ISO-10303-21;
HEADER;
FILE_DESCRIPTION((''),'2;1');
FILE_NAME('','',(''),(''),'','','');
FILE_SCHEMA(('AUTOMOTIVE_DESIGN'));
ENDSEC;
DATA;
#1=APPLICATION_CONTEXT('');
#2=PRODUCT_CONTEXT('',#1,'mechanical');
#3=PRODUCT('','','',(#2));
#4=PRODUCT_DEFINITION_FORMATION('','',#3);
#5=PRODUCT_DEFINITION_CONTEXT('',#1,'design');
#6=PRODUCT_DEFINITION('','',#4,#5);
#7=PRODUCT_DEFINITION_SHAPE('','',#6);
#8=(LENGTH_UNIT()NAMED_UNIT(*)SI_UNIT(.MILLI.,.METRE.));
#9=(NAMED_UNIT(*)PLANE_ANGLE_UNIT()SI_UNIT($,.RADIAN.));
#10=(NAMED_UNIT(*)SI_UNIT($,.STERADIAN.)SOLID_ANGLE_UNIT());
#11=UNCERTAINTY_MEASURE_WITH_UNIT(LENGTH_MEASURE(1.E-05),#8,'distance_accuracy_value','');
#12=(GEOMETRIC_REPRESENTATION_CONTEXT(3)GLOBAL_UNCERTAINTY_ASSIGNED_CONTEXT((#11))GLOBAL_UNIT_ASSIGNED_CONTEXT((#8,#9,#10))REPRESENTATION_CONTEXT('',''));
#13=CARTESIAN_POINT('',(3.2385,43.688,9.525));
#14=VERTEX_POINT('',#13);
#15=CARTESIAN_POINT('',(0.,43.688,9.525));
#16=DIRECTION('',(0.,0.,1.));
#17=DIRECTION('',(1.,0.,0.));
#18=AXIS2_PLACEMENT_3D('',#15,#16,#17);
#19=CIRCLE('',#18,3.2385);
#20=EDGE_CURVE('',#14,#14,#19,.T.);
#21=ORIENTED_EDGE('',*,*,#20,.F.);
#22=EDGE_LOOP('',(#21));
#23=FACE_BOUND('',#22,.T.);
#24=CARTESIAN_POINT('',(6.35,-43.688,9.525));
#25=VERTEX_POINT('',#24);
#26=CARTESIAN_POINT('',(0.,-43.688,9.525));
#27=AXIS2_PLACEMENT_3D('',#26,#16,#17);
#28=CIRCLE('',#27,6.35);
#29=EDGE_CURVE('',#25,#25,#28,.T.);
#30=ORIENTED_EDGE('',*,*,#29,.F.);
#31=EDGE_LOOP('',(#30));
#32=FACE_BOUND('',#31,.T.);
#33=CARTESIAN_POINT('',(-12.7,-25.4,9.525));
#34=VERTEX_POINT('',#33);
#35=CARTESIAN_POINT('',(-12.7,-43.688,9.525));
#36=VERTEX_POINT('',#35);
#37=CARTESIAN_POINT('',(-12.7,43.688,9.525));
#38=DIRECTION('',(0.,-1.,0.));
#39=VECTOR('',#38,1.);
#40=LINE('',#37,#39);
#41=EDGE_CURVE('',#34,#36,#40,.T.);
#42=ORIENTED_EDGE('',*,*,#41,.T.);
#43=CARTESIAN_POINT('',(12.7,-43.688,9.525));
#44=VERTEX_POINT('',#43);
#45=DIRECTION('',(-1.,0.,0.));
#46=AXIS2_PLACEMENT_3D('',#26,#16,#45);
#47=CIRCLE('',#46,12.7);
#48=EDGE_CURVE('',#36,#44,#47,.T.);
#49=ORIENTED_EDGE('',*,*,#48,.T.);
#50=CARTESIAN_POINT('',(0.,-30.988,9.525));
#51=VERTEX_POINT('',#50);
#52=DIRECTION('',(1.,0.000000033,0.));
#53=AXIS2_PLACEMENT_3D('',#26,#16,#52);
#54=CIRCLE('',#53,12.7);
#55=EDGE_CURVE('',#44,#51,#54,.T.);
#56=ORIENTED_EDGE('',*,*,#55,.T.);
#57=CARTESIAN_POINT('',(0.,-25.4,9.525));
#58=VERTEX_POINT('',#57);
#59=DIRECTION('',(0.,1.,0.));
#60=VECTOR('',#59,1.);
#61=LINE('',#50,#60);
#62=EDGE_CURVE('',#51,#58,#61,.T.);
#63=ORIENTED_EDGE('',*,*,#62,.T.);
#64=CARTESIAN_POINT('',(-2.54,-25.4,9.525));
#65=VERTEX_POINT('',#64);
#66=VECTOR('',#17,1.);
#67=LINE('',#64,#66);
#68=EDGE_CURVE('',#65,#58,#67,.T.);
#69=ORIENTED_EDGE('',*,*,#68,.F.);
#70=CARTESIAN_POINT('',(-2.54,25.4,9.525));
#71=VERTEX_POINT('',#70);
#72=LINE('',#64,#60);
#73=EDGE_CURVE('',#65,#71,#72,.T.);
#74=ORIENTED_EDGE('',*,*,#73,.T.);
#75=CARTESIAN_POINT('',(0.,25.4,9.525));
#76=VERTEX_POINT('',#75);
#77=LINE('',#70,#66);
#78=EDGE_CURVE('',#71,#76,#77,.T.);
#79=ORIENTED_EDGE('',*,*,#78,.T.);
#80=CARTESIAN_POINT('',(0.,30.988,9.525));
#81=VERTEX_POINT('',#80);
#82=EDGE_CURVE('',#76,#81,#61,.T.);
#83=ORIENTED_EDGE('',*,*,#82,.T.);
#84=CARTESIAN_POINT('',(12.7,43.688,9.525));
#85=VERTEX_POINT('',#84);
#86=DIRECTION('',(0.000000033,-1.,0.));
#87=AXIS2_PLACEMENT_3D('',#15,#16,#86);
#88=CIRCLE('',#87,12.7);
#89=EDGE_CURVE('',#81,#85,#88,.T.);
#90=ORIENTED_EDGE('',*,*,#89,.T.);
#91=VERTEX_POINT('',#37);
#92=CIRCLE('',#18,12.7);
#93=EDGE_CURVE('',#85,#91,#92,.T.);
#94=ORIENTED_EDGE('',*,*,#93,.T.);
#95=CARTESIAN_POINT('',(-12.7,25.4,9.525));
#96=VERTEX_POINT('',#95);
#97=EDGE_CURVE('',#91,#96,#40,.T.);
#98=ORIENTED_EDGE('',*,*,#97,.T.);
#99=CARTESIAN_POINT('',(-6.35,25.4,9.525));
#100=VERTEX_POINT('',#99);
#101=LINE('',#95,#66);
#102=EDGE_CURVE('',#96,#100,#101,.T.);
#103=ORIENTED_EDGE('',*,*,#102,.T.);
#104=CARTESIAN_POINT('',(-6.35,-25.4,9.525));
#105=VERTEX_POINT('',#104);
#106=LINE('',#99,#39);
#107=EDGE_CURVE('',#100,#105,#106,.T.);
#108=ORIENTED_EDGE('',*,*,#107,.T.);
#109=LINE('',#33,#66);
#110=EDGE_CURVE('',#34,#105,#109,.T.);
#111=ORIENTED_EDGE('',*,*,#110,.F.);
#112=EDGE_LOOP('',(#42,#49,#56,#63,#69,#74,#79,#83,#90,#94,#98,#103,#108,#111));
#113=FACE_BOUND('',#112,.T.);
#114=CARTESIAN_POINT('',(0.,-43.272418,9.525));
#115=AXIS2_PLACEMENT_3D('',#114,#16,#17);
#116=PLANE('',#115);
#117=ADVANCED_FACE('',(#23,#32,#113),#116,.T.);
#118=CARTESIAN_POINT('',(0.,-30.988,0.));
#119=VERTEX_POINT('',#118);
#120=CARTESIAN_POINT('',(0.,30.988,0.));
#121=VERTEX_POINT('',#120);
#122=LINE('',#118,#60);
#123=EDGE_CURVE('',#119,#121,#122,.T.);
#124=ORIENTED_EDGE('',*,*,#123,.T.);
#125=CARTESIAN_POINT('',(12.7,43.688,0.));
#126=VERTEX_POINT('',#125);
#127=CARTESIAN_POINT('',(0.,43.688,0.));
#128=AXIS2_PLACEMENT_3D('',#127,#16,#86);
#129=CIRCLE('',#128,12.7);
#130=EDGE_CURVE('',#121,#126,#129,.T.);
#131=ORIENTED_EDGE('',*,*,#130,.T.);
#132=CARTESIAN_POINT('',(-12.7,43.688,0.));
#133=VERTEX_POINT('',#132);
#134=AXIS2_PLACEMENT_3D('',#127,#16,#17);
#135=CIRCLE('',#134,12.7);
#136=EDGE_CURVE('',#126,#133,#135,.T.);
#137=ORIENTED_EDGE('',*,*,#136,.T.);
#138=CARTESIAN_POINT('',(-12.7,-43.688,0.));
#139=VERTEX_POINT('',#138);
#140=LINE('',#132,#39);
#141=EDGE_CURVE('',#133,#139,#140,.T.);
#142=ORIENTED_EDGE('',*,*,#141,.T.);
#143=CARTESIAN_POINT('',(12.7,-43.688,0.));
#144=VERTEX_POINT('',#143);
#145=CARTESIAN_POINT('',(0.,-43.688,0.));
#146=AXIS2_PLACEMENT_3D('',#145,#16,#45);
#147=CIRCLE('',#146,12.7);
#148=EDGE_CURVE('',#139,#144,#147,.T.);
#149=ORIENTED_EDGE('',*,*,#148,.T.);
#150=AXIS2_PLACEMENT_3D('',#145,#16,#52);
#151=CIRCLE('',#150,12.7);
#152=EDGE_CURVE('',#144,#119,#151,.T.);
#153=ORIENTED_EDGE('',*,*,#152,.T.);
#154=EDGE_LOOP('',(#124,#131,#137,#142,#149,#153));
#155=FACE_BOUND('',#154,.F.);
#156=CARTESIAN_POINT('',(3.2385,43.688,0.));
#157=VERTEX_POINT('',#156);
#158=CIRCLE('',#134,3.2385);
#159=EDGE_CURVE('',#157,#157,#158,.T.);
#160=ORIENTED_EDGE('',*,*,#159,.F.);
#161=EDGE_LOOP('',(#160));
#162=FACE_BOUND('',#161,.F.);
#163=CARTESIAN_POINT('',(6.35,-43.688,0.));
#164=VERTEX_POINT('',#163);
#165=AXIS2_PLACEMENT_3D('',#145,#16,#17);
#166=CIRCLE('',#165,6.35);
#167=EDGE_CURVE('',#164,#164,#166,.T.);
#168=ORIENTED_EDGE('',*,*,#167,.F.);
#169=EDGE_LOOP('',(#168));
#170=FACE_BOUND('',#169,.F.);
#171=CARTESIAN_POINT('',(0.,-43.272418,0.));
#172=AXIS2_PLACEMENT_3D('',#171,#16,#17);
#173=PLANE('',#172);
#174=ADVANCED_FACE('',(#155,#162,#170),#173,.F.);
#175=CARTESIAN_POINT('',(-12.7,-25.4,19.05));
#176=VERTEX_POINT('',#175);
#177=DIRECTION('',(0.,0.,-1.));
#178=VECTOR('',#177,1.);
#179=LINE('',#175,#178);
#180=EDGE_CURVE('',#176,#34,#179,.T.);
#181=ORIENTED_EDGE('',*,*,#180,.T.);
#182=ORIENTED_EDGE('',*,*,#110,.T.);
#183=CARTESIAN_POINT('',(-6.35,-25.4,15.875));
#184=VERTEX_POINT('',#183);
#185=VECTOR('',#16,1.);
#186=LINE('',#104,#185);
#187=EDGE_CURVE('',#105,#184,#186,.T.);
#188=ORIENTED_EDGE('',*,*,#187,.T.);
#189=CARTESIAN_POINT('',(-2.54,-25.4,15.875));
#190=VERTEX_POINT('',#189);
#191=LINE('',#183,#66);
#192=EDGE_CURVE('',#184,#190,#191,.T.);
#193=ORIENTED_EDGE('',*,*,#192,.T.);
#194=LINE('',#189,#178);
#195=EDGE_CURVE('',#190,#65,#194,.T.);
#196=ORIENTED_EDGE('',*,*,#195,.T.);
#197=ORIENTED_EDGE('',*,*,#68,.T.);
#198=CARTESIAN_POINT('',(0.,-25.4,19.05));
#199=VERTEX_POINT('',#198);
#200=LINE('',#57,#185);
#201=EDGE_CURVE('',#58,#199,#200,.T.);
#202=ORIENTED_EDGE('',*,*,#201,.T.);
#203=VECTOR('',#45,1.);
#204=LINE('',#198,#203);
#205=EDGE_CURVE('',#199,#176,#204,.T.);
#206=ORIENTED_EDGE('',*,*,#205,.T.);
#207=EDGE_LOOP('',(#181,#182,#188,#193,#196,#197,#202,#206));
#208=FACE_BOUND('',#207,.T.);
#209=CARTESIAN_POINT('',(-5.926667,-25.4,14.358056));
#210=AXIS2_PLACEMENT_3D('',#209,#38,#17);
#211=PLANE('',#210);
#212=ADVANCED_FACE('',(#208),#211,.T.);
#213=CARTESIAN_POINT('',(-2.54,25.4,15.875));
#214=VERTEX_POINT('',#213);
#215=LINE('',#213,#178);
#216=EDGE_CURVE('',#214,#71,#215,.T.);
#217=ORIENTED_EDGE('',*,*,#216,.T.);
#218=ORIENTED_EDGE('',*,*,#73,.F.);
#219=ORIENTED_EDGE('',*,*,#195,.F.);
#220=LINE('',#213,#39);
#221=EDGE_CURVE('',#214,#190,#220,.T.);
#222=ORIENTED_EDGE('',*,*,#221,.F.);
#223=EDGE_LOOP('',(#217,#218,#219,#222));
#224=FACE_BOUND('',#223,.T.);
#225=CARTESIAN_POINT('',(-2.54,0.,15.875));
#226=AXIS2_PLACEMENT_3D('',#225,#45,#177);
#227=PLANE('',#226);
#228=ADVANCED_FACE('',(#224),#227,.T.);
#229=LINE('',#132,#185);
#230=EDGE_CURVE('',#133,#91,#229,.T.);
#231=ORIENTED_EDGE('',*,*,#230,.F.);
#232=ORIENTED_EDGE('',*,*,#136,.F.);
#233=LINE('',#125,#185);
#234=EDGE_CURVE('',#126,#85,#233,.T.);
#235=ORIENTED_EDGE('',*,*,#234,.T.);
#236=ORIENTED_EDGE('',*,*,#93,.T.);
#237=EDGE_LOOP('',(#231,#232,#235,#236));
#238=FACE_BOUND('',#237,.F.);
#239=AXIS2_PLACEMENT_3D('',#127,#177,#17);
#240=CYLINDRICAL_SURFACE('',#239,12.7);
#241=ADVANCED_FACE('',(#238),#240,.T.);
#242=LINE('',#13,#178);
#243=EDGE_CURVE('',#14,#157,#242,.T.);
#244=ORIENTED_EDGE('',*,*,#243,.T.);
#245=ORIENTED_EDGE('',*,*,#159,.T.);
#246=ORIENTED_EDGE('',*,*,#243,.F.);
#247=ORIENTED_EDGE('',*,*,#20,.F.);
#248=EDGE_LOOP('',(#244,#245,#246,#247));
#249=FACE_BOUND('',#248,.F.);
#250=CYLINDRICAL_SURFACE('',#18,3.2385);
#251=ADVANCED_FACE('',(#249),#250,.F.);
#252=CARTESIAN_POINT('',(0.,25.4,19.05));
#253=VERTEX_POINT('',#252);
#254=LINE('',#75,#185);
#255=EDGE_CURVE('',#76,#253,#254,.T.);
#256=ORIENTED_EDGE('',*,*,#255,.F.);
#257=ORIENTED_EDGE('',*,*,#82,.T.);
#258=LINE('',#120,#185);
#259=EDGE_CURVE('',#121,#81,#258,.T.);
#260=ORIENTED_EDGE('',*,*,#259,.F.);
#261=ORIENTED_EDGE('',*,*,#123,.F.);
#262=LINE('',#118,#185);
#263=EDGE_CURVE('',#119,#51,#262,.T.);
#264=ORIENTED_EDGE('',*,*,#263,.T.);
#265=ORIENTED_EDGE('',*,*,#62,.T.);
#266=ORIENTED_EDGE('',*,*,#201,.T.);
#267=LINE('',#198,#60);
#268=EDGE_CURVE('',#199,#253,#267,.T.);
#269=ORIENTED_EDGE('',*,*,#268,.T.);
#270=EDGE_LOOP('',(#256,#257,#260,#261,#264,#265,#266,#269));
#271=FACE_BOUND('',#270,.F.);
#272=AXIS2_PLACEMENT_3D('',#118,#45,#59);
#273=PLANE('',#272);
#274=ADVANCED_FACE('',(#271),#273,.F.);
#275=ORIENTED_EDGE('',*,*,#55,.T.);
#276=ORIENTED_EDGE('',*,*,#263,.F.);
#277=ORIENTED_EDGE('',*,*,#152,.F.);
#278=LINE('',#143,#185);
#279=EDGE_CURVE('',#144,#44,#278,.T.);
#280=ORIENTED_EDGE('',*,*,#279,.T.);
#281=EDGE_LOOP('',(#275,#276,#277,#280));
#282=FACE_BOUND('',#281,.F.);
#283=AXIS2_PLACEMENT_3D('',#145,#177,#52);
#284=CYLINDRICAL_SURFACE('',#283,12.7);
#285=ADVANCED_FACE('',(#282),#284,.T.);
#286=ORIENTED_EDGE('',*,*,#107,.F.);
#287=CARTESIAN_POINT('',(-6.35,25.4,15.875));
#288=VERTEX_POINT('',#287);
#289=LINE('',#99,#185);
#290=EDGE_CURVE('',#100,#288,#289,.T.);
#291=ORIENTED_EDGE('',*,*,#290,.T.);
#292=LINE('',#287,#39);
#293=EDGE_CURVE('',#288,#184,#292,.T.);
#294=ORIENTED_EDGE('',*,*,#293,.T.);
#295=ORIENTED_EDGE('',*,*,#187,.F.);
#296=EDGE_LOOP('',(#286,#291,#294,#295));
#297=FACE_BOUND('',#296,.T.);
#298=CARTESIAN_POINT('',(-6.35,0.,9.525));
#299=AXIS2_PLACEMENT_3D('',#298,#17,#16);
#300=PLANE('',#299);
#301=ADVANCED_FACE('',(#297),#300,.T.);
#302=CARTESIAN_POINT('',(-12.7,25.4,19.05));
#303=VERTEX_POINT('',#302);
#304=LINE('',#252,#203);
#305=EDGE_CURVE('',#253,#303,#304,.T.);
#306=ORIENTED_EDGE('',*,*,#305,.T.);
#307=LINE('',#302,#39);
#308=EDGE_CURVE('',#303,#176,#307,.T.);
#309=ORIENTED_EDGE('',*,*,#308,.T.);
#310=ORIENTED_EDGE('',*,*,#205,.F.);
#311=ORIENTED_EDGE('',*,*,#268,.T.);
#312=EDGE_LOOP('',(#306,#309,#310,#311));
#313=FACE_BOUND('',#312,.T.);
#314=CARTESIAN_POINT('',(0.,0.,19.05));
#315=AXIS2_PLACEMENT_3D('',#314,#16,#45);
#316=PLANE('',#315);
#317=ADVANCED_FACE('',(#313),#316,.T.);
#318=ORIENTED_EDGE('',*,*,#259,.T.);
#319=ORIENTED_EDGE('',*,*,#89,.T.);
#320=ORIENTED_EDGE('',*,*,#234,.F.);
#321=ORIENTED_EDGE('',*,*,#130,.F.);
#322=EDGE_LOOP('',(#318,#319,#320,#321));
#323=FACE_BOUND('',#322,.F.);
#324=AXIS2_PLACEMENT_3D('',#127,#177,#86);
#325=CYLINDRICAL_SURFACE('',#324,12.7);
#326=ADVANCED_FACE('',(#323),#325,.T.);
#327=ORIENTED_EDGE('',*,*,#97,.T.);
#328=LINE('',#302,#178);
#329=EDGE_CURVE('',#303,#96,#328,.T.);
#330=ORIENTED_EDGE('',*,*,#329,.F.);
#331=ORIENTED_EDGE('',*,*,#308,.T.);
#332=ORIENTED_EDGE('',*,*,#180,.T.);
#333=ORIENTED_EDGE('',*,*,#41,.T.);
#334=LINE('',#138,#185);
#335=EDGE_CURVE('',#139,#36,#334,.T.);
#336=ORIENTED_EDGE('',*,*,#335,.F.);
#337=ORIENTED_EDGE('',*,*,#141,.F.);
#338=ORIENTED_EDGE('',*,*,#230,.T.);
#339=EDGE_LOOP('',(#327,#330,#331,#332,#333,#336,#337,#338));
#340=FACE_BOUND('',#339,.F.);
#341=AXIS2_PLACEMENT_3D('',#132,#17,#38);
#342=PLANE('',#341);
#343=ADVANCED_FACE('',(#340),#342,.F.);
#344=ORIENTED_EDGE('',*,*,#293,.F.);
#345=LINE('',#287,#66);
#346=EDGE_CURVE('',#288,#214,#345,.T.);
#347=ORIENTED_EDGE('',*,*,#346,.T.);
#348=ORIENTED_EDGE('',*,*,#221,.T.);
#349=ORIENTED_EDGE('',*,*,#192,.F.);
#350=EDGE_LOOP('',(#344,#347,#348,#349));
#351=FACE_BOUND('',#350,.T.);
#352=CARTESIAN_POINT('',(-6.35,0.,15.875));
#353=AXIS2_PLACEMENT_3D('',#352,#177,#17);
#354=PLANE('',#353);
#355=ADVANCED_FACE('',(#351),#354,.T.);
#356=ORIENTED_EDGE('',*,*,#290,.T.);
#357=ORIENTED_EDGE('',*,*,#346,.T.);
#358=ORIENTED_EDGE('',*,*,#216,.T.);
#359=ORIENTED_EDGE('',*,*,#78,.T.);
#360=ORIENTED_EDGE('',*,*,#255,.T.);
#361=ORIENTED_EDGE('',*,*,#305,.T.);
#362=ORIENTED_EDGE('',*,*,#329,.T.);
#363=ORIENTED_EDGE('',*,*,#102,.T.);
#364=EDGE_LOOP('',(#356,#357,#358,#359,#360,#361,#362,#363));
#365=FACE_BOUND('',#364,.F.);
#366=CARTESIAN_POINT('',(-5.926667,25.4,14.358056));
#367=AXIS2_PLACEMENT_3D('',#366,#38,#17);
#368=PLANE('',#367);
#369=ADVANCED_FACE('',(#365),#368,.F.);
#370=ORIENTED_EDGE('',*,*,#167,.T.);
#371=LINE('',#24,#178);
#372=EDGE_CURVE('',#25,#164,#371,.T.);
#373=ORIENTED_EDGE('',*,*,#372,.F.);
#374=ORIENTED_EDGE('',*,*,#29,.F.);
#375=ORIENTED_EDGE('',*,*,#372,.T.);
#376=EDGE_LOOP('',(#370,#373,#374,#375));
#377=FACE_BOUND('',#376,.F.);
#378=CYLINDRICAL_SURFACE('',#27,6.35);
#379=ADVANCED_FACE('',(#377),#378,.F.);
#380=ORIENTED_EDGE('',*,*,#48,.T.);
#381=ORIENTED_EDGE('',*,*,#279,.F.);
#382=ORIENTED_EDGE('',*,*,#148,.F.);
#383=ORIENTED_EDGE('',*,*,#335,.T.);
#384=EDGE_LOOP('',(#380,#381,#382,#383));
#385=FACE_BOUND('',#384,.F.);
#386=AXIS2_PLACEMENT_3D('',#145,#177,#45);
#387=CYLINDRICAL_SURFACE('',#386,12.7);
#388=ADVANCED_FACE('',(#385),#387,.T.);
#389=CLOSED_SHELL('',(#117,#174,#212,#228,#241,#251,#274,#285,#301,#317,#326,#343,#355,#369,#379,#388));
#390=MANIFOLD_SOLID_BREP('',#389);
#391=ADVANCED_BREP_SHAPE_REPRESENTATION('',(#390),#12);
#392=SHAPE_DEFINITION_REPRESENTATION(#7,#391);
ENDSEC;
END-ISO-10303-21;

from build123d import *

# Parameters (mm, degrees)
F1_DEPTH = 9.525
F2_R     = 6.35
F2_R_2   = 3.2385
F3_DEPTH = 25.4
F5_DEPTH = 25.4


with BuildPart() as f1:
    # F0 (on Top) → F1 (new body)
    with BuildSketch(Plane.XY):
        with BuildLine():
            ThreePointArc((0, -30.988), (-8.980256, -34.707744), (-12.7, -43.688))
            ThreePointArc((-12.7, -43.688), (0, -56.388), (12.7, -43.688))
            ThreePointArc((12.7, -43.688), (8.980256, -34.707744), (0, -30.988))
        make_face()
        with BuildLine():
            ThreePointArc((0, 30.988), (-8.980256, 34.707744), (-12.7, 43.688))
            Line((-12.7, 43.688), (-12.7, -43.688))
            ThreePointArc((-12.7, -43.688), (-8.980256, -34.707744), (0, -30.988))
            Line((0, -30.988), (0, 30.988))
        make_face()
        with BuildLine():
            ThreePointArc((0, 30.988), (8.980256, 34.707744), (12.7, 43.688))
            ThreePointArc((12.7, 43.688), (0, 56.388), (-12.7, 43.688))
            ThreePointArc((-12.7, 43.688), (-8.980256, 34.707744), (0, 30.988))
        make_face()
    extrude(amount=F1_DEPTH)

    # F2 (on face) → F3 (cut)
    with BuildSketch(Plane.XY.offset(9.525)):
        with Locations((0, -43.688)):
            Circle(F2_R)
        with Locations((0, 43.688)):
            Circle(F2_R_2)
    extrude(amount=-F3_DEPTH, mode=Mode.SUBTRACT)

    # F4 (on Front) → F5 (join, symmetric)
    with BuildSketch(Plane.XZ):
        Polygon((0, 19.05), (-12.7, 19.05), (-12.7, 9.525), (-6.35, 9.525), (-6.35, 15.875), (-2.54, 15.875), (-2.54, 9.525), (0, 9.525), align=None)
    extrude(amount=F5_DEPTH, both=True)


solid = f1.part
